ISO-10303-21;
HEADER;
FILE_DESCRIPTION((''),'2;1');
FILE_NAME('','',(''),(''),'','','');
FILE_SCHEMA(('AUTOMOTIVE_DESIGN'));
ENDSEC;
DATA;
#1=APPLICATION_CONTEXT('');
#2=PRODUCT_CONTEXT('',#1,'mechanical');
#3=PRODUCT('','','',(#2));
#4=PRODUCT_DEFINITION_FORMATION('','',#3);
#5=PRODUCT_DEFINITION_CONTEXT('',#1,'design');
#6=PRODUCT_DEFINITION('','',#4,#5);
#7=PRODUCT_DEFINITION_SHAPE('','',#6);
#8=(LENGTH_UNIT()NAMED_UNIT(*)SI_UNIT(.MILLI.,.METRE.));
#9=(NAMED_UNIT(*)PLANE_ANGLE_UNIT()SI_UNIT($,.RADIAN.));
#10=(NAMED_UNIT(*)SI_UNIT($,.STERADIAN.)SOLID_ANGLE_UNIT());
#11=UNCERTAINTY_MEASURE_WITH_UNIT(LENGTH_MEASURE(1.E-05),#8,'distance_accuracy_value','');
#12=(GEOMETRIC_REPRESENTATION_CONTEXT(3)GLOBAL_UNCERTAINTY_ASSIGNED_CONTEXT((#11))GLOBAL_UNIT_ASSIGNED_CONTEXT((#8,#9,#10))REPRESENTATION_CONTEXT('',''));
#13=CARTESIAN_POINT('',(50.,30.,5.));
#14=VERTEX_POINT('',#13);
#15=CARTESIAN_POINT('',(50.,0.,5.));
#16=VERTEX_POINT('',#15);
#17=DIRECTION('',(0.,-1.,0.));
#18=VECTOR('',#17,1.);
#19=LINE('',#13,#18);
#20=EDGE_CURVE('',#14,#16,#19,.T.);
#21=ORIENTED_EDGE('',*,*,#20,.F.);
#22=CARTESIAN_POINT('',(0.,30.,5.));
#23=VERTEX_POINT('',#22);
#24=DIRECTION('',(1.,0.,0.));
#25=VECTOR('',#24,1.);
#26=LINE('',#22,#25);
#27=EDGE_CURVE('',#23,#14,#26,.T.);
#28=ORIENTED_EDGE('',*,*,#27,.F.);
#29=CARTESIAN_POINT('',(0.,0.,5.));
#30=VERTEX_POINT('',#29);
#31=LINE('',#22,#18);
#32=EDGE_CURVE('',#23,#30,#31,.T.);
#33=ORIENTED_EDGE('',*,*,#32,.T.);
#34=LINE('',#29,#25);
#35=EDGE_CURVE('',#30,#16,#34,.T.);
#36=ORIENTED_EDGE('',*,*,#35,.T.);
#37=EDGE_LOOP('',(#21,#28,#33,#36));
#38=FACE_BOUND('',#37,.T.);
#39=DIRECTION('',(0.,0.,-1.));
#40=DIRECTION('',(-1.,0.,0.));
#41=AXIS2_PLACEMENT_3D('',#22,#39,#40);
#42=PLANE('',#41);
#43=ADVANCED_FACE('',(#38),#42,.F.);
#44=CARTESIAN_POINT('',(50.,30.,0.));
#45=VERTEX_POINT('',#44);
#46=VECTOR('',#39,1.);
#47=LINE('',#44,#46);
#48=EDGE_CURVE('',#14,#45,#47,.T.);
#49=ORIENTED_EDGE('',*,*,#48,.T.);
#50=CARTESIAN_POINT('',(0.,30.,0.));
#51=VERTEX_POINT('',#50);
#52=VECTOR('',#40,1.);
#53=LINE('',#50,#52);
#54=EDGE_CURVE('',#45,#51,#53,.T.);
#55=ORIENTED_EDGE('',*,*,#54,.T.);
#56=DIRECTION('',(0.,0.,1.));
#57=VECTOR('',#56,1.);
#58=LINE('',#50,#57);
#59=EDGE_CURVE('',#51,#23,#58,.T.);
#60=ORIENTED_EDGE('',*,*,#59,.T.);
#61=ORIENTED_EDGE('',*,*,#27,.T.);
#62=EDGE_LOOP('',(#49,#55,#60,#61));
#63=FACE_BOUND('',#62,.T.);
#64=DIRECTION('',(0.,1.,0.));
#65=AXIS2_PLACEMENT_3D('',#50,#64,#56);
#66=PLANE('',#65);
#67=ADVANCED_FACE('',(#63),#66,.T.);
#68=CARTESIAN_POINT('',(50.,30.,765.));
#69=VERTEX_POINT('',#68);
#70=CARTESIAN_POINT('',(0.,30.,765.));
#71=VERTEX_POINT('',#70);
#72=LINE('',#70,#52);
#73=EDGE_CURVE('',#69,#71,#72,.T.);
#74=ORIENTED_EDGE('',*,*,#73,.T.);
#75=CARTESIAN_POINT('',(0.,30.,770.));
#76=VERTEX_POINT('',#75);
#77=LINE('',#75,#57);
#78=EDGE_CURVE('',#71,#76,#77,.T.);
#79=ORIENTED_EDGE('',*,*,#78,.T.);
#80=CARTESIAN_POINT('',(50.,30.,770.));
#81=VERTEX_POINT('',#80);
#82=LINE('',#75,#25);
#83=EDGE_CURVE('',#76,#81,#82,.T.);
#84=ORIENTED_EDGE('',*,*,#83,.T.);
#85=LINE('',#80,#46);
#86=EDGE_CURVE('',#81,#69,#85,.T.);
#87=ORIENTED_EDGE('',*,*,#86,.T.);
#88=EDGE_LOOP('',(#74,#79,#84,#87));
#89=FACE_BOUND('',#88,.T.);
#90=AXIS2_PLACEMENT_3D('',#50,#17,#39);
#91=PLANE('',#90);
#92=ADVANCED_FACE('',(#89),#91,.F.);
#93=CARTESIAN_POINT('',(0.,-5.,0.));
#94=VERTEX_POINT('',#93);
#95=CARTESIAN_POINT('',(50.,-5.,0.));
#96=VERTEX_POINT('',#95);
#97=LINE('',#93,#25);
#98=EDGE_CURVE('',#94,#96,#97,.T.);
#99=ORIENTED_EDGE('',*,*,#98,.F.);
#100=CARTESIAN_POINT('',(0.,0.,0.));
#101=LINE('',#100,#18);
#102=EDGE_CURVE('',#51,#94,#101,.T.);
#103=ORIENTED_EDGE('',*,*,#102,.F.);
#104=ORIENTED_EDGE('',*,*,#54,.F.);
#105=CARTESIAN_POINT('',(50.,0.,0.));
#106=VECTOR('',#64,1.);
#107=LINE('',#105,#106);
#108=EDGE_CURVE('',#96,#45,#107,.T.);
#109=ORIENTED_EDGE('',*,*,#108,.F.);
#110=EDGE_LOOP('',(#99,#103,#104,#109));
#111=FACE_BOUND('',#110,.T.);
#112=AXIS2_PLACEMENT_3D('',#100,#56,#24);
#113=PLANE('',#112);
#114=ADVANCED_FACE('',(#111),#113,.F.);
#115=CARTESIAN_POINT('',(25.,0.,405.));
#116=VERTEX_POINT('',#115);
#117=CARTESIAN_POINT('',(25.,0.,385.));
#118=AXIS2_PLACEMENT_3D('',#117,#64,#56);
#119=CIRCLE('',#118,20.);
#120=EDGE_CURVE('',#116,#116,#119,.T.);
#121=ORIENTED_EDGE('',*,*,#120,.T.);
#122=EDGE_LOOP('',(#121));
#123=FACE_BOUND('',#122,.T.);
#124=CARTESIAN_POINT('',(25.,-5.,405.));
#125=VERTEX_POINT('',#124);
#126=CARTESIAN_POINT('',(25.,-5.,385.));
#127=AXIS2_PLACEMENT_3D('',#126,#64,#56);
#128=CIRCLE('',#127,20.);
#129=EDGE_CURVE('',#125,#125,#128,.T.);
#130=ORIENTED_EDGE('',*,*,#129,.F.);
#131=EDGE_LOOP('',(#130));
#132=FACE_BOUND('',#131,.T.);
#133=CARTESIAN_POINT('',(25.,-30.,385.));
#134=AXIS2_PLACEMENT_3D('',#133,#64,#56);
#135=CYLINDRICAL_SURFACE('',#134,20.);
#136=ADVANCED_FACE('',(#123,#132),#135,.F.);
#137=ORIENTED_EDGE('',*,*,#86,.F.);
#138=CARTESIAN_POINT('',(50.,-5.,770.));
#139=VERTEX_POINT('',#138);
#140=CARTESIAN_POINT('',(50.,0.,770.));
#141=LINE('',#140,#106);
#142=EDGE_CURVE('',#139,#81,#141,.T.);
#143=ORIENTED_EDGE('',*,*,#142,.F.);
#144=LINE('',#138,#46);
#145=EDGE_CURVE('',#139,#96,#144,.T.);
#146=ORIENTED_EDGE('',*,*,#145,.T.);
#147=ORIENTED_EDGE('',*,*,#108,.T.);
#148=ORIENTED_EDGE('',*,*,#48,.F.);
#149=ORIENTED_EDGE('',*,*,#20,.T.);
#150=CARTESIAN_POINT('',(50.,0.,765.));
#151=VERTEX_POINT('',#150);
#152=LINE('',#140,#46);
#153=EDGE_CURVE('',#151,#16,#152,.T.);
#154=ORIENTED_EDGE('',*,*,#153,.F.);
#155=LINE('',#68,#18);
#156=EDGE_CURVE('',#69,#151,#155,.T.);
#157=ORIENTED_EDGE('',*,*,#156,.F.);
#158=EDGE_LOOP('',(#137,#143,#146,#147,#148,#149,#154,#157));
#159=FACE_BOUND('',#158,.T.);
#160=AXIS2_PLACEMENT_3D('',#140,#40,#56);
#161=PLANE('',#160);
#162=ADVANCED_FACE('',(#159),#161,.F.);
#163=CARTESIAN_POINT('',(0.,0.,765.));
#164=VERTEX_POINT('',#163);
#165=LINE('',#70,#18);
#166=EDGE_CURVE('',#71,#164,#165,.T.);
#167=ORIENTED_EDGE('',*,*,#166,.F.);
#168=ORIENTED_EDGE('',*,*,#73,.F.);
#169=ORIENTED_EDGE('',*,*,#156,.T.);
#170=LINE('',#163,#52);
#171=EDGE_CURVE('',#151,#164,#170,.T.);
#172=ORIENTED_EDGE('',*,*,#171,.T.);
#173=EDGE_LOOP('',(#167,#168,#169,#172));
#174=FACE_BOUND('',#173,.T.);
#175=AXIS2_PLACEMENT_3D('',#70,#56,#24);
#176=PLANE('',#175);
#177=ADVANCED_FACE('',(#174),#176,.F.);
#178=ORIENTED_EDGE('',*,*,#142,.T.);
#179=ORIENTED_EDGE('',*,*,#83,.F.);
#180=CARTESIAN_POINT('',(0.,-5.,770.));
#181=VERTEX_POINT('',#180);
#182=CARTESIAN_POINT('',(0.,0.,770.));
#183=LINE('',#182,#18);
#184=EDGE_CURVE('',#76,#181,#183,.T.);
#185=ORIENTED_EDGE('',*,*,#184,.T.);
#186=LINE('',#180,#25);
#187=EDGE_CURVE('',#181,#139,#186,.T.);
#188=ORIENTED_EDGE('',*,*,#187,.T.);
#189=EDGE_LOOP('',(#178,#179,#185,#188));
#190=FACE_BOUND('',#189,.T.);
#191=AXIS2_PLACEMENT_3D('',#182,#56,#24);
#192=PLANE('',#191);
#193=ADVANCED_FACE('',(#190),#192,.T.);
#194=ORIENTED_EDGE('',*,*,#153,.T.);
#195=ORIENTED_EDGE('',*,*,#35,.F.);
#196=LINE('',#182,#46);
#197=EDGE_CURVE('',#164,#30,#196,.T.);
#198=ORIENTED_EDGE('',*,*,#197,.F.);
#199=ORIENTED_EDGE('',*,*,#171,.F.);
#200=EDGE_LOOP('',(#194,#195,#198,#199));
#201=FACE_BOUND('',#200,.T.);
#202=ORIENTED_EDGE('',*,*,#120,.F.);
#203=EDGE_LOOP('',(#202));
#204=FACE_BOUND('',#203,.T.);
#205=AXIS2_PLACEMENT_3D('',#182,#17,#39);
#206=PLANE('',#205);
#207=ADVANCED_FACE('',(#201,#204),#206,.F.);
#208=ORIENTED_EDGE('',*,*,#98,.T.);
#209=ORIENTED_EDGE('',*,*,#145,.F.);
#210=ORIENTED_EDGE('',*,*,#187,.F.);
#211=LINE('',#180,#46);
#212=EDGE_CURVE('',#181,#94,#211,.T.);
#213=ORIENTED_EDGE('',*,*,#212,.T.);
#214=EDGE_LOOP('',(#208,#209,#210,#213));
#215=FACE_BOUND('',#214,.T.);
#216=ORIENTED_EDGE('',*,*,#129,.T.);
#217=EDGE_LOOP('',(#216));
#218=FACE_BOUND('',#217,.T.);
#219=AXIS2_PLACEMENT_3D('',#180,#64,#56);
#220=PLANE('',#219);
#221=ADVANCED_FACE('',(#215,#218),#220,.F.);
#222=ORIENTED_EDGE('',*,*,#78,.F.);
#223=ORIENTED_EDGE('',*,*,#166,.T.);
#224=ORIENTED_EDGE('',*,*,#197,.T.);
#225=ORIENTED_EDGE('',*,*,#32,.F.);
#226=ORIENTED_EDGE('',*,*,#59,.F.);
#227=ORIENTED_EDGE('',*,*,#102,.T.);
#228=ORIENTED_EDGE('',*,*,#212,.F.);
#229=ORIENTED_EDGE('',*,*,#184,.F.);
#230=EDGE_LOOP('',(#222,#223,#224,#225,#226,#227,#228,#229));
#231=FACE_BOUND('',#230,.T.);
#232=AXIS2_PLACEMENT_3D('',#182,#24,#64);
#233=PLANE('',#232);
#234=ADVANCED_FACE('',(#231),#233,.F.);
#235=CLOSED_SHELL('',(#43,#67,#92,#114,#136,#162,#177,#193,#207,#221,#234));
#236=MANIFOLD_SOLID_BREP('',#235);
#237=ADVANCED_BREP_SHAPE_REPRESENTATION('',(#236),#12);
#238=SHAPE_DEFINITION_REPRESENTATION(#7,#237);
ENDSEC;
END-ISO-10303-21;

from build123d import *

# Parameters (mm, degrees)
SKETCH2_W           = 50
SKETCH2_H           = 5
BOSS_EXTRUDE1_DEPTH = 770
SKETCH3_W           = 50
SKETCH3_H           = 5
BOSS_EXTRUDE2_DEPTH = 30
SKETCH4_R           = 20
CUT_EXTRUDE1_DEPTH  = 30


with BuildPart() as part:
    # Sketch2 → Boss-Extrude1 (new body)
    with BuildSketch(Plane.XY):
        with Locations((25, -2.5)):
            Rectangle(SKETCH2_W, SKETCH2_H)
    extrude(amount=BOSS_EXTRUDE1_DEPTH)

    # Sketch3 → Boss-Extrude2 (add)
    with BuildSketch(Plane(origin=(0, 0, 0), x_dir=(1, 0, 0), z_dir=(0, 1, 0))):
        with Locations((25, -767.5)):
            Rectangle(SKETCH3_W, SKETCH3_H)
        with Locations((25, -2.5)):
            Rectangle(SKETCH3_W, SKETCH3_H)
    extrude(amount=BOSS_EXTRUDE2_DEPTH)

    # Sketch4 → Cut-Extrude1 (cut)
    with BuildSketch(Plane(origin=(0, 0, 0), x_dir=(1, 0, 0), z_dir=(0, 1, 0))):
        with Locations((25, -385)):
            Circle(SKETCH4_R)
    extrude(amount=-CUT_EXTRUDE1_DEPTH, mode=Mode.SUBTRACT)


solid = part.part
